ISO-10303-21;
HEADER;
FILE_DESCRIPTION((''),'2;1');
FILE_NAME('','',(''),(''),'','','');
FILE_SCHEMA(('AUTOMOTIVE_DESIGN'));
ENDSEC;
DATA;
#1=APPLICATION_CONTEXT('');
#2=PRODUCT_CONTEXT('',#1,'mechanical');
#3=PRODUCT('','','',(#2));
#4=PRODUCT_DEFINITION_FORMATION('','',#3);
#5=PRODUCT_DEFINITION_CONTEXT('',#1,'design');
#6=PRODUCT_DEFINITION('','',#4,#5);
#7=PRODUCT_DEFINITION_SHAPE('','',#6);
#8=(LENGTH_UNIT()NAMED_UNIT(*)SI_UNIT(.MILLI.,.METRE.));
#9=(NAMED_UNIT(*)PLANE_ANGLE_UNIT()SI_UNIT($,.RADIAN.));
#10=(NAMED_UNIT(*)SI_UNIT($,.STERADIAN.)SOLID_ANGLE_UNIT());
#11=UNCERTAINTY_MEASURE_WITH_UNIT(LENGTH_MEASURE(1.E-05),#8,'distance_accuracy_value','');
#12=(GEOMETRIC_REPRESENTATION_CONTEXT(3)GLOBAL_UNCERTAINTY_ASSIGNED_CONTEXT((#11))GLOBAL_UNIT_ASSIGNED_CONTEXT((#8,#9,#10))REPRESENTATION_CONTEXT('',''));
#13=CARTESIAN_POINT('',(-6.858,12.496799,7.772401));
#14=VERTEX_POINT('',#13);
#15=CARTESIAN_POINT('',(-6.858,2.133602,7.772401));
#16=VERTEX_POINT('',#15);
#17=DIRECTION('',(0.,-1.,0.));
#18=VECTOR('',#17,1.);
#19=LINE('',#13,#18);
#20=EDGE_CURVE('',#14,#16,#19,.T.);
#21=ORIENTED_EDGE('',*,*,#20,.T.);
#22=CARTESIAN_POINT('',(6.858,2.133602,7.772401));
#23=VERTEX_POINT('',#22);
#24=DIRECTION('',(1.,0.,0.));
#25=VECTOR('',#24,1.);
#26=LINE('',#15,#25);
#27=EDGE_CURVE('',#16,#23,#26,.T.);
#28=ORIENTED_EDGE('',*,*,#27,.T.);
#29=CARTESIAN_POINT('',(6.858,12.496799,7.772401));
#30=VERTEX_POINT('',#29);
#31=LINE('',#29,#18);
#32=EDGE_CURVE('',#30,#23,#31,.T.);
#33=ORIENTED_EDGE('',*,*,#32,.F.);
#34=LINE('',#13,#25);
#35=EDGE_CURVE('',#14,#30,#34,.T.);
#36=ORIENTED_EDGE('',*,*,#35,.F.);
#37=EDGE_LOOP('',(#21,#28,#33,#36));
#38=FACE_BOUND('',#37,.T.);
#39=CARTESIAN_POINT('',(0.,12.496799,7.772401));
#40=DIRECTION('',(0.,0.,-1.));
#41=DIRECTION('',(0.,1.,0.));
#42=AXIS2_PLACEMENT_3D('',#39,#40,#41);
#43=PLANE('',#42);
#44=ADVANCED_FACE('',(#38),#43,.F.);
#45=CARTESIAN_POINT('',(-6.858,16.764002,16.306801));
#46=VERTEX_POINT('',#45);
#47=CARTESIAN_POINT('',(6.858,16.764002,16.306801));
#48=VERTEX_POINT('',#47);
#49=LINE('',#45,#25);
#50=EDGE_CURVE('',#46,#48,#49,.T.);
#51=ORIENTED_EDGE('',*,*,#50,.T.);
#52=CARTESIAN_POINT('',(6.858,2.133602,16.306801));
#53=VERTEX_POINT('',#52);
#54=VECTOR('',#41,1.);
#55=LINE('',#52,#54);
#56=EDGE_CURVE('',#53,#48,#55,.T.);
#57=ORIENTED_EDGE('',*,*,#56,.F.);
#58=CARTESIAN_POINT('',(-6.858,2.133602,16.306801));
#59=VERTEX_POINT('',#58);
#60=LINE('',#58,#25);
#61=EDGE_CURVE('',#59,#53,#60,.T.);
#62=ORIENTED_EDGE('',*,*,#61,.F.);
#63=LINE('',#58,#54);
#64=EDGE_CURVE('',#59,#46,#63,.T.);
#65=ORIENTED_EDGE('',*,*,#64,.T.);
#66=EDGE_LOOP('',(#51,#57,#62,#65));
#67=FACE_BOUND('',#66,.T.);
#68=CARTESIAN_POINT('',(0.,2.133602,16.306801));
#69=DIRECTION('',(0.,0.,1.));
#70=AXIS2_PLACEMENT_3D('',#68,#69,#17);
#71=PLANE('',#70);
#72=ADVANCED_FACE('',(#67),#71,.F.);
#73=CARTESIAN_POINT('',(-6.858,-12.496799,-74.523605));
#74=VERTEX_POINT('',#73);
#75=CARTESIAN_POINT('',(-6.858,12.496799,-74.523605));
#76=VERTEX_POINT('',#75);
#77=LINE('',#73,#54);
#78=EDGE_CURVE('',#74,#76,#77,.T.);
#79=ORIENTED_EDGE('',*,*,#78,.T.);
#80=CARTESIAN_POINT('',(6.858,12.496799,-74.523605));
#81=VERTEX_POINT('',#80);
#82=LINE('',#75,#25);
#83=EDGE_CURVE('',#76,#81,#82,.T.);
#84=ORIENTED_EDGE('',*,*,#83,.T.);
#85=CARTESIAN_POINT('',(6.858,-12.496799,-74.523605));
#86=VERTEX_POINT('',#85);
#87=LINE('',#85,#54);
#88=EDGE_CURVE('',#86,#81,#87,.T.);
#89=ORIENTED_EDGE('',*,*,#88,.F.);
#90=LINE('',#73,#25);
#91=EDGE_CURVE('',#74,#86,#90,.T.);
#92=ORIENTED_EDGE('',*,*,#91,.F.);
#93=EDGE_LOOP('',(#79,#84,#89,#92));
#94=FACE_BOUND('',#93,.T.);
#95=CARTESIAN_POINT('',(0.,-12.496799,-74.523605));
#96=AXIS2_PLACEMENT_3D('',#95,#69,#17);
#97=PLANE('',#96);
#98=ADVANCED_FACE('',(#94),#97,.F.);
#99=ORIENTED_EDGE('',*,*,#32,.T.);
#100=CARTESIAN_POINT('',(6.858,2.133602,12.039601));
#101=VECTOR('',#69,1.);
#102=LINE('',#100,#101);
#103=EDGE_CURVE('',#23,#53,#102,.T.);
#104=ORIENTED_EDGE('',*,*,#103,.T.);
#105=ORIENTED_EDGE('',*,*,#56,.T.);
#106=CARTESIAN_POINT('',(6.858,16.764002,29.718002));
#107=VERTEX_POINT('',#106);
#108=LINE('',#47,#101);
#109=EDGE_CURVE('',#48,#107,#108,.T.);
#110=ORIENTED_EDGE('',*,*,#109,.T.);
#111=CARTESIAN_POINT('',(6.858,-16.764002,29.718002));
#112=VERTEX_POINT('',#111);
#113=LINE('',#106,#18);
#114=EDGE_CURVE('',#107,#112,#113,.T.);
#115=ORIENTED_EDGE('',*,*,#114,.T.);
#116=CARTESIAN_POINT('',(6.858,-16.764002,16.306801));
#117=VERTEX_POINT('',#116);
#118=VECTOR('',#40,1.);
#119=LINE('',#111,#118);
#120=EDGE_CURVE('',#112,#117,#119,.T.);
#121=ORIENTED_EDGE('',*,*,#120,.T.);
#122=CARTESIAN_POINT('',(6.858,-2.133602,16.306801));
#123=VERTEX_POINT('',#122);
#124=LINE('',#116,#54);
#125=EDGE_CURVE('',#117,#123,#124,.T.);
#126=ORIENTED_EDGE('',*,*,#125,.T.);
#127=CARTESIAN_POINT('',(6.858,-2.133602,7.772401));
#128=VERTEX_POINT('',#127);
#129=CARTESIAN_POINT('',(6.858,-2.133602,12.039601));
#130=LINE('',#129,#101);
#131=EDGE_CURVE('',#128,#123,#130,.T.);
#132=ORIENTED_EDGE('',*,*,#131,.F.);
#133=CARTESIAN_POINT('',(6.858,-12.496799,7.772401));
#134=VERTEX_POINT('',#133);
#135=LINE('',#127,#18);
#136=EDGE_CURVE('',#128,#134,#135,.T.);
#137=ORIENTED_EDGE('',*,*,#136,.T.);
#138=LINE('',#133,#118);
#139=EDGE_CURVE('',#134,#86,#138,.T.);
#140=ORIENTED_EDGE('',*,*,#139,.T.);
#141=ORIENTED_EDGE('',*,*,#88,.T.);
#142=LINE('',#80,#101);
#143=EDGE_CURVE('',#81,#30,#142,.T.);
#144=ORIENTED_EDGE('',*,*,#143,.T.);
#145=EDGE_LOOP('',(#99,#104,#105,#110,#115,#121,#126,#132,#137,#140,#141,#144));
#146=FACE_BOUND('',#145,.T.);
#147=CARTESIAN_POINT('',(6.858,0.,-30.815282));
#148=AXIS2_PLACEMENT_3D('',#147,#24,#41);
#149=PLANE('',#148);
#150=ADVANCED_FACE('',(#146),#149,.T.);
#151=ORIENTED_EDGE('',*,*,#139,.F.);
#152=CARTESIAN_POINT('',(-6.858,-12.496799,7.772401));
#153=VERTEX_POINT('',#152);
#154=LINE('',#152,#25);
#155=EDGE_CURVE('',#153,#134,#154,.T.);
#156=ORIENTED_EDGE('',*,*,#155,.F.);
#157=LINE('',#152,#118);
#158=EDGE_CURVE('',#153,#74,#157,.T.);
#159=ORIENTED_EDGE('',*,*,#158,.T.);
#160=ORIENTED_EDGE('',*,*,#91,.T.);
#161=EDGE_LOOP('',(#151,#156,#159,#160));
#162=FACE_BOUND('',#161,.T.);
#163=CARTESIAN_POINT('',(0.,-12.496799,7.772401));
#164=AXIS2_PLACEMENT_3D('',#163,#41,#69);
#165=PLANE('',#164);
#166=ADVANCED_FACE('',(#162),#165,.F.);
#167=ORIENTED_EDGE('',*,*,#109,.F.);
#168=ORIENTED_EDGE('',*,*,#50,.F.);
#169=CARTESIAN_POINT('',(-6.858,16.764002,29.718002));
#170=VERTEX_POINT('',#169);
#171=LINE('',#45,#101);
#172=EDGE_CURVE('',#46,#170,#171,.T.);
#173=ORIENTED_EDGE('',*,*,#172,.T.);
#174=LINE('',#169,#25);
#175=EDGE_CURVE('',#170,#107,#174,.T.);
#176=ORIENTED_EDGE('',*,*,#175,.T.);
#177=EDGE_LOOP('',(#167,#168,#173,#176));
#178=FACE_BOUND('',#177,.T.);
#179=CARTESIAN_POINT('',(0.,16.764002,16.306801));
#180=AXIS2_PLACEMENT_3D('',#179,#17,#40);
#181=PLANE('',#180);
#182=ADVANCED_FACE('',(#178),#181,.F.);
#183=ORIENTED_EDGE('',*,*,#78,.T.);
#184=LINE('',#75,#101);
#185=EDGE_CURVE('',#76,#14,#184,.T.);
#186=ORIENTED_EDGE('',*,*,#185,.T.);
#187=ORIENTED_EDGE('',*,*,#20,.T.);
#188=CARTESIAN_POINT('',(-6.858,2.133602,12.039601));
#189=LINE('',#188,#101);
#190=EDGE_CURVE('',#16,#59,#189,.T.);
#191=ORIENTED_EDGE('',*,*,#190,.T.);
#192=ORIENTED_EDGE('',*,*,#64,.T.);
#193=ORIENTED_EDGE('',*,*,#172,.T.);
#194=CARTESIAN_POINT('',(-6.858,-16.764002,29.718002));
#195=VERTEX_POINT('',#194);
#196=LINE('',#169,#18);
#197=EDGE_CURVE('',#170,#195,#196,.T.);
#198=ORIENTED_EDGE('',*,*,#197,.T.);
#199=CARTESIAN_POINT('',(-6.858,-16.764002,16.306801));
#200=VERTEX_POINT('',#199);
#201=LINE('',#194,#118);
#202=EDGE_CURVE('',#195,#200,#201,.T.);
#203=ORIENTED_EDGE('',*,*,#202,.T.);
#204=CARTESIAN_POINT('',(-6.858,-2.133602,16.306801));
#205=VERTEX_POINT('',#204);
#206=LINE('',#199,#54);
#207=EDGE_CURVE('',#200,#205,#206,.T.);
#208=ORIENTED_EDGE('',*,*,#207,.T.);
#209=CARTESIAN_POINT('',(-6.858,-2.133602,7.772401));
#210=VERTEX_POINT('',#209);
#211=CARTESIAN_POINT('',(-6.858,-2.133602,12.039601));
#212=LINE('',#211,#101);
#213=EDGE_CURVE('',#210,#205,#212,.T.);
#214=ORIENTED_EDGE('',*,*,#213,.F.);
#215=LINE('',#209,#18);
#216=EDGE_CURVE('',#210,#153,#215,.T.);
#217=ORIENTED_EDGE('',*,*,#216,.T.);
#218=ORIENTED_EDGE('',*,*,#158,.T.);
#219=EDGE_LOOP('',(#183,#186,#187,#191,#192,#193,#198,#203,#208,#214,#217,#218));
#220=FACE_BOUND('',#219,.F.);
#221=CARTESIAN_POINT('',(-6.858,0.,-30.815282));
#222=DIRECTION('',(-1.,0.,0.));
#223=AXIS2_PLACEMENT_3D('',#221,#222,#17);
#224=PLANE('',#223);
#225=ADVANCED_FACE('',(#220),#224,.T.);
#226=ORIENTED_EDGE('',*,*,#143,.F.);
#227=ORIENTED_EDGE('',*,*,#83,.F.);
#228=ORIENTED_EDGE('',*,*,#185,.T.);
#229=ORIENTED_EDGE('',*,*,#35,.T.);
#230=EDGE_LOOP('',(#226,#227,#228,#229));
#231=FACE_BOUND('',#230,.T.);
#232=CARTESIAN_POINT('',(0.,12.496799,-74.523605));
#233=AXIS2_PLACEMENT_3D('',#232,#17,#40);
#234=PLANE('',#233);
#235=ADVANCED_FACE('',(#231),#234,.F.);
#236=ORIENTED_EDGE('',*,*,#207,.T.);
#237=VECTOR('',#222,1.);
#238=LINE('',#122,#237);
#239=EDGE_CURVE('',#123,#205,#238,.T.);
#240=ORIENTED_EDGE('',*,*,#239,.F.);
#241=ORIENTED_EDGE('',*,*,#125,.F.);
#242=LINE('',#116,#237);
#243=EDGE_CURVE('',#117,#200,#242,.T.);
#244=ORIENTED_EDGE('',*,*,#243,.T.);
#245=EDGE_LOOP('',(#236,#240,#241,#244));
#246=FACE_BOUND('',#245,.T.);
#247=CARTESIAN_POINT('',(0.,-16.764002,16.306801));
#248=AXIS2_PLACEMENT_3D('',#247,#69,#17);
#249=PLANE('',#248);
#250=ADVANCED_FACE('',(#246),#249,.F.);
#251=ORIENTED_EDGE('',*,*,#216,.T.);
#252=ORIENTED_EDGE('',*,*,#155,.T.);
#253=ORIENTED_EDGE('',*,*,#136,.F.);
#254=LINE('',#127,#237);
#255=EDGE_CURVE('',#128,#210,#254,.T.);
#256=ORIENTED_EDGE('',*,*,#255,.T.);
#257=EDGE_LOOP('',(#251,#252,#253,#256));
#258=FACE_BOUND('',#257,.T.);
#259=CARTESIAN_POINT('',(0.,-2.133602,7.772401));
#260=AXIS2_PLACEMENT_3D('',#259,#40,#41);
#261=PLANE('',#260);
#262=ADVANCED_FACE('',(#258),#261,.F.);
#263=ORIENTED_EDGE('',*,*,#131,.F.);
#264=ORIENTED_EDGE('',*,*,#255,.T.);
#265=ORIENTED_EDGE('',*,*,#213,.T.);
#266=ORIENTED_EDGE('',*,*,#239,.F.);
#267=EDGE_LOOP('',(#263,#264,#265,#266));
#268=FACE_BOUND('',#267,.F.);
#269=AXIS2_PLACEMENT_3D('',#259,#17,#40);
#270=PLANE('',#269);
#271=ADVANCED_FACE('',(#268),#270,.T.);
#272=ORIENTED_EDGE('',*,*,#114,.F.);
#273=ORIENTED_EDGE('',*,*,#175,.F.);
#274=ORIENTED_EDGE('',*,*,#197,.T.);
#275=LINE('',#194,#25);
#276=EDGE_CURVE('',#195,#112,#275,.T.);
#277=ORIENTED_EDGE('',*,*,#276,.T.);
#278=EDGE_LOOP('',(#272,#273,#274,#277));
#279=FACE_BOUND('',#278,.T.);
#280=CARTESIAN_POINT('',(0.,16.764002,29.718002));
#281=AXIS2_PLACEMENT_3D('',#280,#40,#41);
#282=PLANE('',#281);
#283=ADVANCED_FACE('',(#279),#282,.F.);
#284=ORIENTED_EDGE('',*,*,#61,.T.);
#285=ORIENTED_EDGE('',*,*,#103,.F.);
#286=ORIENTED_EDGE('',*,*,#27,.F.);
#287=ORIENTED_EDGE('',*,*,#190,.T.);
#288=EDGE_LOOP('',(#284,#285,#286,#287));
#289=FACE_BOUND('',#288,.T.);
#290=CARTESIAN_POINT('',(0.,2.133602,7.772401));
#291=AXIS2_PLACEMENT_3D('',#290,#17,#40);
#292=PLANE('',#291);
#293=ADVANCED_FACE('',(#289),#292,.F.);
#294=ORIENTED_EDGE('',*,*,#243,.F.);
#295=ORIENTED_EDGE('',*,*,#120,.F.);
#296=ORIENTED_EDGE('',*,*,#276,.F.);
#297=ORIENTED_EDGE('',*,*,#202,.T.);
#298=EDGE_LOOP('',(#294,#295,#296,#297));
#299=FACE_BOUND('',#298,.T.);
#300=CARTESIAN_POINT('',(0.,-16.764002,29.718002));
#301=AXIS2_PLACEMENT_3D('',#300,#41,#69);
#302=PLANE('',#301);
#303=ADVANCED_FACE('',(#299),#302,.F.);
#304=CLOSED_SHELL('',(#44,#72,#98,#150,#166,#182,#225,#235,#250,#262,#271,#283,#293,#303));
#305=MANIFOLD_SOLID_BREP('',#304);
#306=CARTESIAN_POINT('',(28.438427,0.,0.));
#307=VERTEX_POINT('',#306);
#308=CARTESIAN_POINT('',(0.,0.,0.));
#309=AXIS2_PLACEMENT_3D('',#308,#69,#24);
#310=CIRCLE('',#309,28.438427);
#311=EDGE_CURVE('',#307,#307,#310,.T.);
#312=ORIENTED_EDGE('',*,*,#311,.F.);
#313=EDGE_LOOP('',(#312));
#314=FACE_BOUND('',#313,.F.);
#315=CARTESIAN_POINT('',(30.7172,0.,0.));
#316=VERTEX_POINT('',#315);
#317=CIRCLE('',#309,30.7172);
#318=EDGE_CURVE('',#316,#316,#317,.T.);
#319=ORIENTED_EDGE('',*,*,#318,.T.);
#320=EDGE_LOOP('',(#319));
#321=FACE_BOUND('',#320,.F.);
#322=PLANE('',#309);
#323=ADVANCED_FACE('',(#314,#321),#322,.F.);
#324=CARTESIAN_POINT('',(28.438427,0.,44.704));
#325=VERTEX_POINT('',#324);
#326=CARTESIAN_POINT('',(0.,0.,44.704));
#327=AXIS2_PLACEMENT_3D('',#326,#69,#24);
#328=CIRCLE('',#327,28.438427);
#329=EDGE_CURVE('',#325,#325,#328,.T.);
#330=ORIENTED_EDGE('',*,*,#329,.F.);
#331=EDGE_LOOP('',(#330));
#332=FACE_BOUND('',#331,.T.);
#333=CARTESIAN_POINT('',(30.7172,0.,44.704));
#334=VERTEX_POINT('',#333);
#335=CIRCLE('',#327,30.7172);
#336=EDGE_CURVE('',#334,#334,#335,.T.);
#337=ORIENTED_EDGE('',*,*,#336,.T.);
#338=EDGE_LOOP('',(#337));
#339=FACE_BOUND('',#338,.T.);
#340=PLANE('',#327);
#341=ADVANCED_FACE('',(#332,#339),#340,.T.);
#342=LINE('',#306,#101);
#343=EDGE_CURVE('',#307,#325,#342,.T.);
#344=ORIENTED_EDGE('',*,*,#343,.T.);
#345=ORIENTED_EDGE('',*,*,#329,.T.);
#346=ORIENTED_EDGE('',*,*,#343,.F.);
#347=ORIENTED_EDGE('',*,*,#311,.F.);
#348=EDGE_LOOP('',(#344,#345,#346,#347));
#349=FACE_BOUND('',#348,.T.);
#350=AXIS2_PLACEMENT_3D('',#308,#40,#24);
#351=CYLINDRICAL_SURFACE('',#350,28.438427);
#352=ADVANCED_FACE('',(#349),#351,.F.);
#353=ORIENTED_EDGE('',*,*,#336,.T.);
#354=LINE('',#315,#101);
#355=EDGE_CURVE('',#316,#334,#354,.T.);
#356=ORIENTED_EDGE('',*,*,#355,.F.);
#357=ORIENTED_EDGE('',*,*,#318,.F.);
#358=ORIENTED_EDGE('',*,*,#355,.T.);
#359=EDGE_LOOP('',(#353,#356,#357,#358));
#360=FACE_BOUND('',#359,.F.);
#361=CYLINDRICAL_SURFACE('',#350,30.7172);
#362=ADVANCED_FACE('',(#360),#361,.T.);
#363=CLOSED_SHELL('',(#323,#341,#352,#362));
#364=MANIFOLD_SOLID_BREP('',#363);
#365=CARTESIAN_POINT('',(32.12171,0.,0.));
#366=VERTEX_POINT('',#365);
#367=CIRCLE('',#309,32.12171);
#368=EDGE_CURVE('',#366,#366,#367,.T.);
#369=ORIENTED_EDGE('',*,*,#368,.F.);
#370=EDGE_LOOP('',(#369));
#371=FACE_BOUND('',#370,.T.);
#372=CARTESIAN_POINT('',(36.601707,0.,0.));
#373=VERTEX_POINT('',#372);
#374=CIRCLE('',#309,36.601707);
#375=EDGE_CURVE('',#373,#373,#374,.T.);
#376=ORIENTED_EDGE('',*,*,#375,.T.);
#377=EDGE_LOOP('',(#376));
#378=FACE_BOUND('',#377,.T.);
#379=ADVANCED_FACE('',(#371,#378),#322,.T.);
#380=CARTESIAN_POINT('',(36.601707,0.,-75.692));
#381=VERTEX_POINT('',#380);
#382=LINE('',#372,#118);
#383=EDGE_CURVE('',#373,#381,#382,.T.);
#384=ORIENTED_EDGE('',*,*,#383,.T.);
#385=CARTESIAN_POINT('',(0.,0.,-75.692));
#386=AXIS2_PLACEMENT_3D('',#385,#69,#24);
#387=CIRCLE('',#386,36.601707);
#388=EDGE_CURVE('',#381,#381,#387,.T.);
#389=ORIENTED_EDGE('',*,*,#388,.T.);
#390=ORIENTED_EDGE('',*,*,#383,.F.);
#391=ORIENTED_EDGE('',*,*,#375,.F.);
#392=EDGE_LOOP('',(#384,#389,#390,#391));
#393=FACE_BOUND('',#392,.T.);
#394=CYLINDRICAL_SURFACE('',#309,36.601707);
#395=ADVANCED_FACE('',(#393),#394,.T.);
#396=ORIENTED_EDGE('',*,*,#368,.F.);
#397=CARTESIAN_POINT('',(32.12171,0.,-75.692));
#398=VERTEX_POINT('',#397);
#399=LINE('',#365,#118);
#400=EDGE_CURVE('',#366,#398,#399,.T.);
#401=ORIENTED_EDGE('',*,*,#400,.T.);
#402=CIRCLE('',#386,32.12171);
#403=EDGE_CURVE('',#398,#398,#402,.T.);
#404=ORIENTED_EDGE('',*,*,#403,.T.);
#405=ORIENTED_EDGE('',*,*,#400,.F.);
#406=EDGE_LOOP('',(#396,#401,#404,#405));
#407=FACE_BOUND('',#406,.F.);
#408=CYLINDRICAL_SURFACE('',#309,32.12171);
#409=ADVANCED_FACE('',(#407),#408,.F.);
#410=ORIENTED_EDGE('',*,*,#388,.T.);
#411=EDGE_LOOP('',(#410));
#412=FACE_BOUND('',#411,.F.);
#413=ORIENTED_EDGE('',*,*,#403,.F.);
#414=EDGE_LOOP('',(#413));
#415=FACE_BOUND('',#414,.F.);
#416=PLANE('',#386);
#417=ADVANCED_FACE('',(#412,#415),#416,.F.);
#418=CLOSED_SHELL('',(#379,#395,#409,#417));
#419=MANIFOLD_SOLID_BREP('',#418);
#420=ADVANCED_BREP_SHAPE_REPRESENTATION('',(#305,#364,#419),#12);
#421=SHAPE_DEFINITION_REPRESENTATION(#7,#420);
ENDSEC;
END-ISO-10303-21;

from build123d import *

# Parameters (mm, degrees)
F0_R     = 36.6017066127
F0_R_2   = 32.1217103556
F1_DEPTH = 75.692
F2_R     = 30.717200423
F2_R_2   = 28.4384268771
F3_DEPTH = 44.704
F4_W     = 4.2672031559
F4_H     = 8.5344002582
F5_DEPTH = 6.858


with BuildPart() as f1:
    # F0 (on Top) → F1 (new body)
    with BuildSketch(Plane.XY):
        Circle(F0_R)
        Circle(F0_R_2, mode=Mode.SUBTRACT)
    extrude(amount=-F1_DEPTH)


with BuildPart() as f3:
    # F2 (on Top) → F3 (new body)
    with BuildSketch(Plane.XY):
        Circle(F2_R)
        Circle(F2_R_2, mode=Mode.SUBTRACT)
    extrude(amount=F3_DEPTH)


with BuildPart() as f5:
    # F4 (on Right) → F5 (new body)
    with BuildSketch(Plane.YZ):
        Polygon((-2.133601578, 7.7724005096), (-12.4967992306, 7.7724005096), (-12.4967992306, -74.5236049406), (12.4967992306, -74.5236049406), (12.4967992306, 7.7724005096), (2.133601578, 7.7724005096), (2.133601578, -0.7619997486), (-2.133601578, -0.7619997486), align=None)
        with Locations((0, 12.0396006387)):
            Rectangle(F4_W, F4_H)
        with Locations((0, 3.5052003805)):
            Rectangle(F4_W, F4_H)
        Polygon((-16.7640019208, 16.3068007678), (-2.133601578, 16.3068007678), (2.133601578, 16.3068007678), (16.7640019208, 16.3068007678), (16.7640019208, 29.7180023044), (-16.7640019208, 29.7180023044), align=None)
    extrude(amount=F5_DEPTH)

    # F6: F5 across plane


with BuildPart() as f5_1:
    add(f5.part)
    add(f5.part.mirror(Plane.YZ))


solid = Compound([f1.part, f3.part, f5_1.part])
